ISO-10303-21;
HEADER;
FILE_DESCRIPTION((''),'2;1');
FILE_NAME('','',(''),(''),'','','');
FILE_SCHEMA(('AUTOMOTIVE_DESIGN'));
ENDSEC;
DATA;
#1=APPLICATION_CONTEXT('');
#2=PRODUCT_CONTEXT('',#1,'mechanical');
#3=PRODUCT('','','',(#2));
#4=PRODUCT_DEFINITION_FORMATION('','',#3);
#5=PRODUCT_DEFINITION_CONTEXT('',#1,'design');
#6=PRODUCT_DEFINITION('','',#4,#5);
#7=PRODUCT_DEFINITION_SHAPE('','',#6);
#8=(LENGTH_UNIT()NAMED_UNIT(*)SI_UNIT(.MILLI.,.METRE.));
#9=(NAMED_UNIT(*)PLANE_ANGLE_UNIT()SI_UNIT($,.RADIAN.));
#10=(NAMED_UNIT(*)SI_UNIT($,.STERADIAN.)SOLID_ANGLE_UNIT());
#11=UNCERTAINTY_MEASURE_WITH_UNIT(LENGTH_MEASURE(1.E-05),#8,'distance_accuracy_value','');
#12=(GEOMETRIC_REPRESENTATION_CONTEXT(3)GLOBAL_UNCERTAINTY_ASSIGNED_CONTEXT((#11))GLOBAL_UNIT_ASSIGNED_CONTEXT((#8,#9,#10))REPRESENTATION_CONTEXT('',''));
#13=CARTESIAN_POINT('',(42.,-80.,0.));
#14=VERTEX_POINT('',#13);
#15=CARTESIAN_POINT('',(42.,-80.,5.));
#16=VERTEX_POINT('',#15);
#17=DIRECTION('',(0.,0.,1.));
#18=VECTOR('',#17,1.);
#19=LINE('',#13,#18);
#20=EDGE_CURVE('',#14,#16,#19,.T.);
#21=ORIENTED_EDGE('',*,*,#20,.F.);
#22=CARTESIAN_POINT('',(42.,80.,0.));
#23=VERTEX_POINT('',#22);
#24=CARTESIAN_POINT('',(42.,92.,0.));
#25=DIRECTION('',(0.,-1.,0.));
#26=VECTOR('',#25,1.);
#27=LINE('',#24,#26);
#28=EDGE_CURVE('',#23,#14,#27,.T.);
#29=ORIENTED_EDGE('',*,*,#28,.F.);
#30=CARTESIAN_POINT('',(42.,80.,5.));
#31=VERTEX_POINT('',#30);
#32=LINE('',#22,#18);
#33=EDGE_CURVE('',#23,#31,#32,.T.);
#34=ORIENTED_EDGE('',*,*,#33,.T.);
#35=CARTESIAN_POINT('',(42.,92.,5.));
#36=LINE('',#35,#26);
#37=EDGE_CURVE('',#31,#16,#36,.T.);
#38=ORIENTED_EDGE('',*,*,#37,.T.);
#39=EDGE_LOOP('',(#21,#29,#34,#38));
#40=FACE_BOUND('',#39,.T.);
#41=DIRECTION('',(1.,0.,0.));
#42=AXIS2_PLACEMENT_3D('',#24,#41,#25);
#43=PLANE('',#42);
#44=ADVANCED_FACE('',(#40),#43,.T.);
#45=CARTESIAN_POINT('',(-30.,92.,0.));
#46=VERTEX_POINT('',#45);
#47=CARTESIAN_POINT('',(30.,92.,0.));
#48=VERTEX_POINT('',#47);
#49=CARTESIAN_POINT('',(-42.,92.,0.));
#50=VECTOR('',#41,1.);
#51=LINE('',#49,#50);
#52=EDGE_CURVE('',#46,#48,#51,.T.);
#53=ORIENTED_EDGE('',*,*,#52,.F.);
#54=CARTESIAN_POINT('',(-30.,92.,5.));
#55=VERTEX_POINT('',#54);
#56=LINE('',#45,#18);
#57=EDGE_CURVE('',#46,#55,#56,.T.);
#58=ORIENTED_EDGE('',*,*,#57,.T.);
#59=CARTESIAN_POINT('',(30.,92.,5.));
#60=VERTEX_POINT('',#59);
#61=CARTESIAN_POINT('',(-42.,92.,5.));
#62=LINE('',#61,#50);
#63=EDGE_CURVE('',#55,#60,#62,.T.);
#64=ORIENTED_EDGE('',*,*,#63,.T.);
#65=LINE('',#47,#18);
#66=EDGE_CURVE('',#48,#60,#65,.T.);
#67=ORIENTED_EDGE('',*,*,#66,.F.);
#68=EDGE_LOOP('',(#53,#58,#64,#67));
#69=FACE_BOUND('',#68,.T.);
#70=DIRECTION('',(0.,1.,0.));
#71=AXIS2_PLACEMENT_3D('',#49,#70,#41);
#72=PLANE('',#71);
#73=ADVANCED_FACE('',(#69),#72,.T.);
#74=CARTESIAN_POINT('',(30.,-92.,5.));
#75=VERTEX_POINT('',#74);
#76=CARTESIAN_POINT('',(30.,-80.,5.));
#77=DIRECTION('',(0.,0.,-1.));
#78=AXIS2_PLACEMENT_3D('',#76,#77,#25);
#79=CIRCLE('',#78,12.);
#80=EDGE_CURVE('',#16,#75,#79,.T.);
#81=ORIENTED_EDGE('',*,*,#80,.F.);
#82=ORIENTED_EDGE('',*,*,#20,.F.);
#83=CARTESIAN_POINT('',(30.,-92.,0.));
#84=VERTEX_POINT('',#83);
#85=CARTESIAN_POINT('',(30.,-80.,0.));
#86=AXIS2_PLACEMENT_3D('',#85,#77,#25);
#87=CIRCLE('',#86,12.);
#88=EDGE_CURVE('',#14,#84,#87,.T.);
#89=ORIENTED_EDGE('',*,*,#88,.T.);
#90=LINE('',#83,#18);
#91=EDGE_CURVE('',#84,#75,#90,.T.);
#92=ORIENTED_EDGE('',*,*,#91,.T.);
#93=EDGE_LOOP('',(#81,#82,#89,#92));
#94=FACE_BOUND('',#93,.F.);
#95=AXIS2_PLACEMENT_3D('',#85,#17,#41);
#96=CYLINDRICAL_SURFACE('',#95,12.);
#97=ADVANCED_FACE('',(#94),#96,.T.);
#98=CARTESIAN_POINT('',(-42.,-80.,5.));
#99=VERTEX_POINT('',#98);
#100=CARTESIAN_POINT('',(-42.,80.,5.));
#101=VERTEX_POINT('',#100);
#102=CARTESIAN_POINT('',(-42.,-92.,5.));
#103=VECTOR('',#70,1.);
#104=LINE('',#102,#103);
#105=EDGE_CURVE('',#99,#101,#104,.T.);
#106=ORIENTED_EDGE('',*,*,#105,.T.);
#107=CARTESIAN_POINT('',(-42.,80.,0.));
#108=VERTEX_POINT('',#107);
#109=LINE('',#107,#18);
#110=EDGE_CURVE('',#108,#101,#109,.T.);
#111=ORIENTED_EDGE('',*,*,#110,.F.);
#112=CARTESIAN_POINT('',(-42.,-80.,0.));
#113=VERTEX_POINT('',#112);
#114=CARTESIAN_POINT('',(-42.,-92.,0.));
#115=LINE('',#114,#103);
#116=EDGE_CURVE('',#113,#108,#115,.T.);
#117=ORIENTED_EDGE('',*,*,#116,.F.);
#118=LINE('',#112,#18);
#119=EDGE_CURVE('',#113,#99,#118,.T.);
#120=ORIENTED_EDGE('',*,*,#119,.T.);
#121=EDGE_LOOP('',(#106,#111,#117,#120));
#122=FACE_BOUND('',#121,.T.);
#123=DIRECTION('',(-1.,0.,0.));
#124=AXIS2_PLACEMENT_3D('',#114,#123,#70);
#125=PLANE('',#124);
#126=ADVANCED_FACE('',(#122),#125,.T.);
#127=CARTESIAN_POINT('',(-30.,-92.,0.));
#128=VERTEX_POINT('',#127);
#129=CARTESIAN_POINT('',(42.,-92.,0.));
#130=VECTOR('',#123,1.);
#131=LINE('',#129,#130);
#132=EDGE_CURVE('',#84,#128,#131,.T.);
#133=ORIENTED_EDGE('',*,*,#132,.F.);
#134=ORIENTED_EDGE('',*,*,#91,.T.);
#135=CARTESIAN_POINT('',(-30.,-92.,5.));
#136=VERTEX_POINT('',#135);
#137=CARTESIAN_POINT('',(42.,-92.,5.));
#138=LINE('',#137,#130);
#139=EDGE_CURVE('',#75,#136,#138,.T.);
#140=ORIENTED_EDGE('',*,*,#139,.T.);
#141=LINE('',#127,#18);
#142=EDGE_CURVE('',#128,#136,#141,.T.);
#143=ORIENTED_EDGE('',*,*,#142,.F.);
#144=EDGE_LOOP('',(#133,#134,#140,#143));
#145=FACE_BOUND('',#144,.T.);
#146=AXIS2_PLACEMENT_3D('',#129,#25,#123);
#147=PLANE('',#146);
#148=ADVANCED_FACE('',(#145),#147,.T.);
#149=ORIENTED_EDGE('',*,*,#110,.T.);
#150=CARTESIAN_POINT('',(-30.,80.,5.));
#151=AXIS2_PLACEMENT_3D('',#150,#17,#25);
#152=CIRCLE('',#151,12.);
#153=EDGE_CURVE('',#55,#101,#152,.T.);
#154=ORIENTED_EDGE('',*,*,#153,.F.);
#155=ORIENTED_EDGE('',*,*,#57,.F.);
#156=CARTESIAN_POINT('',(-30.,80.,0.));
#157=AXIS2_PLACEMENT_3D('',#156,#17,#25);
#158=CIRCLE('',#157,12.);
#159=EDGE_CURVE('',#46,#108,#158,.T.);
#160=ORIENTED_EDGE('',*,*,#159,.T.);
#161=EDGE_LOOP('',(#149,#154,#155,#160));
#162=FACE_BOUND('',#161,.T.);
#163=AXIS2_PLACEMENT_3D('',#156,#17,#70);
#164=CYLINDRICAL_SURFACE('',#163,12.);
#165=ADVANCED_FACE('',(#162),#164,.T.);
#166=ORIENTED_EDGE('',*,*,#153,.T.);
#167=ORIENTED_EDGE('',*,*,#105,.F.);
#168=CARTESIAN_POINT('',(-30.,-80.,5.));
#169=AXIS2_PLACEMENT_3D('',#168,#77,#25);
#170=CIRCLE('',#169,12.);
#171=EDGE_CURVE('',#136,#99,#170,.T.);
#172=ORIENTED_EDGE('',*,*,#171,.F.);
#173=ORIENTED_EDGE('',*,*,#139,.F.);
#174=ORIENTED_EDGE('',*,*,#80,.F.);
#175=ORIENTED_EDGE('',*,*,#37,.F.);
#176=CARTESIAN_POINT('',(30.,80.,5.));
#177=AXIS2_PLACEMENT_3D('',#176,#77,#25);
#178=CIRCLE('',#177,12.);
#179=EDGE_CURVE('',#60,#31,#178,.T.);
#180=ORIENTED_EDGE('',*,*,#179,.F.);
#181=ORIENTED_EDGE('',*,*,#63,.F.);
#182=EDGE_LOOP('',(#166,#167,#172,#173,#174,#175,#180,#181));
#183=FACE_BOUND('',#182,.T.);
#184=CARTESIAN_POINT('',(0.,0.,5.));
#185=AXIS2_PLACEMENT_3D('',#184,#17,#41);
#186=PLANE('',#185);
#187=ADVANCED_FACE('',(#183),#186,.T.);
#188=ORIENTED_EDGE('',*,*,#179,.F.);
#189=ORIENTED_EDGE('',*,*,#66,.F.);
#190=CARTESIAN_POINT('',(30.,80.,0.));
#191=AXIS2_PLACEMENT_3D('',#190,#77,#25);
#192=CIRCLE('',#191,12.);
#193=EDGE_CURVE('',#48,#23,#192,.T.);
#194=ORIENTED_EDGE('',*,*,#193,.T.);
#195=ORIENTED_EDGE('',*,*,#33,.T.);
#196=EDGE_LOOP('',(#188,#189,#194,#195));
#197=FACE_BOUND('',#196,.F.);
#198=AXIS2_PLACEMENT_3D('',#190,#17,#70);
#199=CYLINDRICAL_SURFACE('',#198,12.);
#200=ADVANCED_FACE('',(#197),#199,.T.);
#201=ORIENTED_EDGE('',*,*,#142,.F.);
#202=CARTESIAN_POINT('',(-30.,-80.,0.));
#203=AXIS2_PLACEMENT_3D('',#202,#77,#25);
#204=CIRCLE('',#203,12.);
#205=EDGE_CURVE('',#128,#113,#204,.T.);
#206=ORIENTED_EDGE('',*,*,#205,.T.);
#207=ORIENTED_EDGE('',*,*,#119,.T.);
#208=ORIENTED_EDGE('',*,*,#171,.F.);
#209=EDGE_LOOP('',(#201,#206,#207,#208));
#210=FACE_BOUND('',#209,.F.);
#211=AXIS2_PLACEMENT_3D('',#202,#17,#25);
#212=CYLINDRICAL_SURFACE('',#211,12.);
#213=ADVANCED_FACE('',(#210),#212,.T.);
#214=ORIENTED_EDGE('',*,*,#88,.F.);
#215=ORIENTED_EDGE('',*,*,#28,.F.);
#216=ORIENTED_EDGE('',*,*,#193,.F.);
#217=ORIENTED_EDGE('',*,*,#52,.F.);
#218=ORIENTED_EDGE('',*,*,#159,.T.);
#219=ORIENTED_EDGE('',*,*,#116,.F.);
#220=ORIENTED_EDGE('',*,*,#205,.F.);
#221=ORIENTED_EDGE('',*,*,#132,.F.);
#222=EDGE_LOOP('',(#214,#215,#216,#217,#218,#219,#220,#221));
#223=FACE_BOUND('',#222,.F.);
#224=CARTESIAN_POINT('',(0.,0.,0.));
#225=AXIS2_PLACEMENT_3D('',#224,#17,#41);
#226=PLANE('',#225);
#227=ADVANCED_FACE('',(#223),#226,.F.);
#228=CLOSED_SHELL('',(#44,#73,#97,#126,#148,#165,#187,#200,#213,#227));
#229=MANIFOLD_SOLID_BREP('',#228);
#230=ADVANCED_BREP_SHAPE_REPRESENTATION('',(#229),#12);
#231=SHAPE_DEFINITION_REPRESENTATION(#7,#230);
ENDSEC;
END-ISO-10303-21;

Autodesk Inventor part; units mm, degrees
ref_plane "YZ Plane" through (0, 0, 0) normal (1, 0, 0) x (0, 1, 0)
ref_plane "XZ Plane" through (0, 0, 0) normal (0, 1, 0) x (-1, 0, 0)
ref_plane "XY Plane" through (0, 0, 0) normal (0, 0, 1) x (1, 0, 0)
sketch "Sketch1" plane through (0, 0, 0) normal (0, 0, 1) x (1, 0, 0)
  line L0 (0, 20.1746) -> (0, -21.4461) construction
  line L1 (-20.2028, 0) -> (20.1685, 0) construction
  line L2 (-42, 92) -> (42, 92)
  line L3 (42, 92) -> (42, -92)
  line L4 (42, -92) -> (-42, -92)
  line L5 (-42, -92) -> (-42, 92)
  point P0 (0, 0)
  dimension "d0" = 184
  dimension "d1" = 92
  dimension "d2" = 84
  dimension "d3" = 42
extrude "Extrusion1" add sketch "Sketch1" along normal blind 5
fillet "Fillet1" radius 12 4 edges at (42, 92, 2.5) (-42, 92, 2.5) (42, -92, 2.5) (-42, -92, 2.5)
chamfer "Chamfer1" [suppressed]
equation "\"d0\" = height"
equation "\"d1\" = 0.5 * height"
equation "\"d2\" = width"
equation "\"d3\" = 0.5 * width"
equation "\"d4\" = thickness"
equation "\"d6\" = fillet"
equation "\"fillet\" = 12"
equation "\"chamfer\" = 0"
equation "\"thickness\" = 5"
equation "\"width\" = 84"
equation "\"height\" = 184"
properties part number "Plate Filleted Corners (mm) 84 x 184 x 5" material "Steel, Mild"
